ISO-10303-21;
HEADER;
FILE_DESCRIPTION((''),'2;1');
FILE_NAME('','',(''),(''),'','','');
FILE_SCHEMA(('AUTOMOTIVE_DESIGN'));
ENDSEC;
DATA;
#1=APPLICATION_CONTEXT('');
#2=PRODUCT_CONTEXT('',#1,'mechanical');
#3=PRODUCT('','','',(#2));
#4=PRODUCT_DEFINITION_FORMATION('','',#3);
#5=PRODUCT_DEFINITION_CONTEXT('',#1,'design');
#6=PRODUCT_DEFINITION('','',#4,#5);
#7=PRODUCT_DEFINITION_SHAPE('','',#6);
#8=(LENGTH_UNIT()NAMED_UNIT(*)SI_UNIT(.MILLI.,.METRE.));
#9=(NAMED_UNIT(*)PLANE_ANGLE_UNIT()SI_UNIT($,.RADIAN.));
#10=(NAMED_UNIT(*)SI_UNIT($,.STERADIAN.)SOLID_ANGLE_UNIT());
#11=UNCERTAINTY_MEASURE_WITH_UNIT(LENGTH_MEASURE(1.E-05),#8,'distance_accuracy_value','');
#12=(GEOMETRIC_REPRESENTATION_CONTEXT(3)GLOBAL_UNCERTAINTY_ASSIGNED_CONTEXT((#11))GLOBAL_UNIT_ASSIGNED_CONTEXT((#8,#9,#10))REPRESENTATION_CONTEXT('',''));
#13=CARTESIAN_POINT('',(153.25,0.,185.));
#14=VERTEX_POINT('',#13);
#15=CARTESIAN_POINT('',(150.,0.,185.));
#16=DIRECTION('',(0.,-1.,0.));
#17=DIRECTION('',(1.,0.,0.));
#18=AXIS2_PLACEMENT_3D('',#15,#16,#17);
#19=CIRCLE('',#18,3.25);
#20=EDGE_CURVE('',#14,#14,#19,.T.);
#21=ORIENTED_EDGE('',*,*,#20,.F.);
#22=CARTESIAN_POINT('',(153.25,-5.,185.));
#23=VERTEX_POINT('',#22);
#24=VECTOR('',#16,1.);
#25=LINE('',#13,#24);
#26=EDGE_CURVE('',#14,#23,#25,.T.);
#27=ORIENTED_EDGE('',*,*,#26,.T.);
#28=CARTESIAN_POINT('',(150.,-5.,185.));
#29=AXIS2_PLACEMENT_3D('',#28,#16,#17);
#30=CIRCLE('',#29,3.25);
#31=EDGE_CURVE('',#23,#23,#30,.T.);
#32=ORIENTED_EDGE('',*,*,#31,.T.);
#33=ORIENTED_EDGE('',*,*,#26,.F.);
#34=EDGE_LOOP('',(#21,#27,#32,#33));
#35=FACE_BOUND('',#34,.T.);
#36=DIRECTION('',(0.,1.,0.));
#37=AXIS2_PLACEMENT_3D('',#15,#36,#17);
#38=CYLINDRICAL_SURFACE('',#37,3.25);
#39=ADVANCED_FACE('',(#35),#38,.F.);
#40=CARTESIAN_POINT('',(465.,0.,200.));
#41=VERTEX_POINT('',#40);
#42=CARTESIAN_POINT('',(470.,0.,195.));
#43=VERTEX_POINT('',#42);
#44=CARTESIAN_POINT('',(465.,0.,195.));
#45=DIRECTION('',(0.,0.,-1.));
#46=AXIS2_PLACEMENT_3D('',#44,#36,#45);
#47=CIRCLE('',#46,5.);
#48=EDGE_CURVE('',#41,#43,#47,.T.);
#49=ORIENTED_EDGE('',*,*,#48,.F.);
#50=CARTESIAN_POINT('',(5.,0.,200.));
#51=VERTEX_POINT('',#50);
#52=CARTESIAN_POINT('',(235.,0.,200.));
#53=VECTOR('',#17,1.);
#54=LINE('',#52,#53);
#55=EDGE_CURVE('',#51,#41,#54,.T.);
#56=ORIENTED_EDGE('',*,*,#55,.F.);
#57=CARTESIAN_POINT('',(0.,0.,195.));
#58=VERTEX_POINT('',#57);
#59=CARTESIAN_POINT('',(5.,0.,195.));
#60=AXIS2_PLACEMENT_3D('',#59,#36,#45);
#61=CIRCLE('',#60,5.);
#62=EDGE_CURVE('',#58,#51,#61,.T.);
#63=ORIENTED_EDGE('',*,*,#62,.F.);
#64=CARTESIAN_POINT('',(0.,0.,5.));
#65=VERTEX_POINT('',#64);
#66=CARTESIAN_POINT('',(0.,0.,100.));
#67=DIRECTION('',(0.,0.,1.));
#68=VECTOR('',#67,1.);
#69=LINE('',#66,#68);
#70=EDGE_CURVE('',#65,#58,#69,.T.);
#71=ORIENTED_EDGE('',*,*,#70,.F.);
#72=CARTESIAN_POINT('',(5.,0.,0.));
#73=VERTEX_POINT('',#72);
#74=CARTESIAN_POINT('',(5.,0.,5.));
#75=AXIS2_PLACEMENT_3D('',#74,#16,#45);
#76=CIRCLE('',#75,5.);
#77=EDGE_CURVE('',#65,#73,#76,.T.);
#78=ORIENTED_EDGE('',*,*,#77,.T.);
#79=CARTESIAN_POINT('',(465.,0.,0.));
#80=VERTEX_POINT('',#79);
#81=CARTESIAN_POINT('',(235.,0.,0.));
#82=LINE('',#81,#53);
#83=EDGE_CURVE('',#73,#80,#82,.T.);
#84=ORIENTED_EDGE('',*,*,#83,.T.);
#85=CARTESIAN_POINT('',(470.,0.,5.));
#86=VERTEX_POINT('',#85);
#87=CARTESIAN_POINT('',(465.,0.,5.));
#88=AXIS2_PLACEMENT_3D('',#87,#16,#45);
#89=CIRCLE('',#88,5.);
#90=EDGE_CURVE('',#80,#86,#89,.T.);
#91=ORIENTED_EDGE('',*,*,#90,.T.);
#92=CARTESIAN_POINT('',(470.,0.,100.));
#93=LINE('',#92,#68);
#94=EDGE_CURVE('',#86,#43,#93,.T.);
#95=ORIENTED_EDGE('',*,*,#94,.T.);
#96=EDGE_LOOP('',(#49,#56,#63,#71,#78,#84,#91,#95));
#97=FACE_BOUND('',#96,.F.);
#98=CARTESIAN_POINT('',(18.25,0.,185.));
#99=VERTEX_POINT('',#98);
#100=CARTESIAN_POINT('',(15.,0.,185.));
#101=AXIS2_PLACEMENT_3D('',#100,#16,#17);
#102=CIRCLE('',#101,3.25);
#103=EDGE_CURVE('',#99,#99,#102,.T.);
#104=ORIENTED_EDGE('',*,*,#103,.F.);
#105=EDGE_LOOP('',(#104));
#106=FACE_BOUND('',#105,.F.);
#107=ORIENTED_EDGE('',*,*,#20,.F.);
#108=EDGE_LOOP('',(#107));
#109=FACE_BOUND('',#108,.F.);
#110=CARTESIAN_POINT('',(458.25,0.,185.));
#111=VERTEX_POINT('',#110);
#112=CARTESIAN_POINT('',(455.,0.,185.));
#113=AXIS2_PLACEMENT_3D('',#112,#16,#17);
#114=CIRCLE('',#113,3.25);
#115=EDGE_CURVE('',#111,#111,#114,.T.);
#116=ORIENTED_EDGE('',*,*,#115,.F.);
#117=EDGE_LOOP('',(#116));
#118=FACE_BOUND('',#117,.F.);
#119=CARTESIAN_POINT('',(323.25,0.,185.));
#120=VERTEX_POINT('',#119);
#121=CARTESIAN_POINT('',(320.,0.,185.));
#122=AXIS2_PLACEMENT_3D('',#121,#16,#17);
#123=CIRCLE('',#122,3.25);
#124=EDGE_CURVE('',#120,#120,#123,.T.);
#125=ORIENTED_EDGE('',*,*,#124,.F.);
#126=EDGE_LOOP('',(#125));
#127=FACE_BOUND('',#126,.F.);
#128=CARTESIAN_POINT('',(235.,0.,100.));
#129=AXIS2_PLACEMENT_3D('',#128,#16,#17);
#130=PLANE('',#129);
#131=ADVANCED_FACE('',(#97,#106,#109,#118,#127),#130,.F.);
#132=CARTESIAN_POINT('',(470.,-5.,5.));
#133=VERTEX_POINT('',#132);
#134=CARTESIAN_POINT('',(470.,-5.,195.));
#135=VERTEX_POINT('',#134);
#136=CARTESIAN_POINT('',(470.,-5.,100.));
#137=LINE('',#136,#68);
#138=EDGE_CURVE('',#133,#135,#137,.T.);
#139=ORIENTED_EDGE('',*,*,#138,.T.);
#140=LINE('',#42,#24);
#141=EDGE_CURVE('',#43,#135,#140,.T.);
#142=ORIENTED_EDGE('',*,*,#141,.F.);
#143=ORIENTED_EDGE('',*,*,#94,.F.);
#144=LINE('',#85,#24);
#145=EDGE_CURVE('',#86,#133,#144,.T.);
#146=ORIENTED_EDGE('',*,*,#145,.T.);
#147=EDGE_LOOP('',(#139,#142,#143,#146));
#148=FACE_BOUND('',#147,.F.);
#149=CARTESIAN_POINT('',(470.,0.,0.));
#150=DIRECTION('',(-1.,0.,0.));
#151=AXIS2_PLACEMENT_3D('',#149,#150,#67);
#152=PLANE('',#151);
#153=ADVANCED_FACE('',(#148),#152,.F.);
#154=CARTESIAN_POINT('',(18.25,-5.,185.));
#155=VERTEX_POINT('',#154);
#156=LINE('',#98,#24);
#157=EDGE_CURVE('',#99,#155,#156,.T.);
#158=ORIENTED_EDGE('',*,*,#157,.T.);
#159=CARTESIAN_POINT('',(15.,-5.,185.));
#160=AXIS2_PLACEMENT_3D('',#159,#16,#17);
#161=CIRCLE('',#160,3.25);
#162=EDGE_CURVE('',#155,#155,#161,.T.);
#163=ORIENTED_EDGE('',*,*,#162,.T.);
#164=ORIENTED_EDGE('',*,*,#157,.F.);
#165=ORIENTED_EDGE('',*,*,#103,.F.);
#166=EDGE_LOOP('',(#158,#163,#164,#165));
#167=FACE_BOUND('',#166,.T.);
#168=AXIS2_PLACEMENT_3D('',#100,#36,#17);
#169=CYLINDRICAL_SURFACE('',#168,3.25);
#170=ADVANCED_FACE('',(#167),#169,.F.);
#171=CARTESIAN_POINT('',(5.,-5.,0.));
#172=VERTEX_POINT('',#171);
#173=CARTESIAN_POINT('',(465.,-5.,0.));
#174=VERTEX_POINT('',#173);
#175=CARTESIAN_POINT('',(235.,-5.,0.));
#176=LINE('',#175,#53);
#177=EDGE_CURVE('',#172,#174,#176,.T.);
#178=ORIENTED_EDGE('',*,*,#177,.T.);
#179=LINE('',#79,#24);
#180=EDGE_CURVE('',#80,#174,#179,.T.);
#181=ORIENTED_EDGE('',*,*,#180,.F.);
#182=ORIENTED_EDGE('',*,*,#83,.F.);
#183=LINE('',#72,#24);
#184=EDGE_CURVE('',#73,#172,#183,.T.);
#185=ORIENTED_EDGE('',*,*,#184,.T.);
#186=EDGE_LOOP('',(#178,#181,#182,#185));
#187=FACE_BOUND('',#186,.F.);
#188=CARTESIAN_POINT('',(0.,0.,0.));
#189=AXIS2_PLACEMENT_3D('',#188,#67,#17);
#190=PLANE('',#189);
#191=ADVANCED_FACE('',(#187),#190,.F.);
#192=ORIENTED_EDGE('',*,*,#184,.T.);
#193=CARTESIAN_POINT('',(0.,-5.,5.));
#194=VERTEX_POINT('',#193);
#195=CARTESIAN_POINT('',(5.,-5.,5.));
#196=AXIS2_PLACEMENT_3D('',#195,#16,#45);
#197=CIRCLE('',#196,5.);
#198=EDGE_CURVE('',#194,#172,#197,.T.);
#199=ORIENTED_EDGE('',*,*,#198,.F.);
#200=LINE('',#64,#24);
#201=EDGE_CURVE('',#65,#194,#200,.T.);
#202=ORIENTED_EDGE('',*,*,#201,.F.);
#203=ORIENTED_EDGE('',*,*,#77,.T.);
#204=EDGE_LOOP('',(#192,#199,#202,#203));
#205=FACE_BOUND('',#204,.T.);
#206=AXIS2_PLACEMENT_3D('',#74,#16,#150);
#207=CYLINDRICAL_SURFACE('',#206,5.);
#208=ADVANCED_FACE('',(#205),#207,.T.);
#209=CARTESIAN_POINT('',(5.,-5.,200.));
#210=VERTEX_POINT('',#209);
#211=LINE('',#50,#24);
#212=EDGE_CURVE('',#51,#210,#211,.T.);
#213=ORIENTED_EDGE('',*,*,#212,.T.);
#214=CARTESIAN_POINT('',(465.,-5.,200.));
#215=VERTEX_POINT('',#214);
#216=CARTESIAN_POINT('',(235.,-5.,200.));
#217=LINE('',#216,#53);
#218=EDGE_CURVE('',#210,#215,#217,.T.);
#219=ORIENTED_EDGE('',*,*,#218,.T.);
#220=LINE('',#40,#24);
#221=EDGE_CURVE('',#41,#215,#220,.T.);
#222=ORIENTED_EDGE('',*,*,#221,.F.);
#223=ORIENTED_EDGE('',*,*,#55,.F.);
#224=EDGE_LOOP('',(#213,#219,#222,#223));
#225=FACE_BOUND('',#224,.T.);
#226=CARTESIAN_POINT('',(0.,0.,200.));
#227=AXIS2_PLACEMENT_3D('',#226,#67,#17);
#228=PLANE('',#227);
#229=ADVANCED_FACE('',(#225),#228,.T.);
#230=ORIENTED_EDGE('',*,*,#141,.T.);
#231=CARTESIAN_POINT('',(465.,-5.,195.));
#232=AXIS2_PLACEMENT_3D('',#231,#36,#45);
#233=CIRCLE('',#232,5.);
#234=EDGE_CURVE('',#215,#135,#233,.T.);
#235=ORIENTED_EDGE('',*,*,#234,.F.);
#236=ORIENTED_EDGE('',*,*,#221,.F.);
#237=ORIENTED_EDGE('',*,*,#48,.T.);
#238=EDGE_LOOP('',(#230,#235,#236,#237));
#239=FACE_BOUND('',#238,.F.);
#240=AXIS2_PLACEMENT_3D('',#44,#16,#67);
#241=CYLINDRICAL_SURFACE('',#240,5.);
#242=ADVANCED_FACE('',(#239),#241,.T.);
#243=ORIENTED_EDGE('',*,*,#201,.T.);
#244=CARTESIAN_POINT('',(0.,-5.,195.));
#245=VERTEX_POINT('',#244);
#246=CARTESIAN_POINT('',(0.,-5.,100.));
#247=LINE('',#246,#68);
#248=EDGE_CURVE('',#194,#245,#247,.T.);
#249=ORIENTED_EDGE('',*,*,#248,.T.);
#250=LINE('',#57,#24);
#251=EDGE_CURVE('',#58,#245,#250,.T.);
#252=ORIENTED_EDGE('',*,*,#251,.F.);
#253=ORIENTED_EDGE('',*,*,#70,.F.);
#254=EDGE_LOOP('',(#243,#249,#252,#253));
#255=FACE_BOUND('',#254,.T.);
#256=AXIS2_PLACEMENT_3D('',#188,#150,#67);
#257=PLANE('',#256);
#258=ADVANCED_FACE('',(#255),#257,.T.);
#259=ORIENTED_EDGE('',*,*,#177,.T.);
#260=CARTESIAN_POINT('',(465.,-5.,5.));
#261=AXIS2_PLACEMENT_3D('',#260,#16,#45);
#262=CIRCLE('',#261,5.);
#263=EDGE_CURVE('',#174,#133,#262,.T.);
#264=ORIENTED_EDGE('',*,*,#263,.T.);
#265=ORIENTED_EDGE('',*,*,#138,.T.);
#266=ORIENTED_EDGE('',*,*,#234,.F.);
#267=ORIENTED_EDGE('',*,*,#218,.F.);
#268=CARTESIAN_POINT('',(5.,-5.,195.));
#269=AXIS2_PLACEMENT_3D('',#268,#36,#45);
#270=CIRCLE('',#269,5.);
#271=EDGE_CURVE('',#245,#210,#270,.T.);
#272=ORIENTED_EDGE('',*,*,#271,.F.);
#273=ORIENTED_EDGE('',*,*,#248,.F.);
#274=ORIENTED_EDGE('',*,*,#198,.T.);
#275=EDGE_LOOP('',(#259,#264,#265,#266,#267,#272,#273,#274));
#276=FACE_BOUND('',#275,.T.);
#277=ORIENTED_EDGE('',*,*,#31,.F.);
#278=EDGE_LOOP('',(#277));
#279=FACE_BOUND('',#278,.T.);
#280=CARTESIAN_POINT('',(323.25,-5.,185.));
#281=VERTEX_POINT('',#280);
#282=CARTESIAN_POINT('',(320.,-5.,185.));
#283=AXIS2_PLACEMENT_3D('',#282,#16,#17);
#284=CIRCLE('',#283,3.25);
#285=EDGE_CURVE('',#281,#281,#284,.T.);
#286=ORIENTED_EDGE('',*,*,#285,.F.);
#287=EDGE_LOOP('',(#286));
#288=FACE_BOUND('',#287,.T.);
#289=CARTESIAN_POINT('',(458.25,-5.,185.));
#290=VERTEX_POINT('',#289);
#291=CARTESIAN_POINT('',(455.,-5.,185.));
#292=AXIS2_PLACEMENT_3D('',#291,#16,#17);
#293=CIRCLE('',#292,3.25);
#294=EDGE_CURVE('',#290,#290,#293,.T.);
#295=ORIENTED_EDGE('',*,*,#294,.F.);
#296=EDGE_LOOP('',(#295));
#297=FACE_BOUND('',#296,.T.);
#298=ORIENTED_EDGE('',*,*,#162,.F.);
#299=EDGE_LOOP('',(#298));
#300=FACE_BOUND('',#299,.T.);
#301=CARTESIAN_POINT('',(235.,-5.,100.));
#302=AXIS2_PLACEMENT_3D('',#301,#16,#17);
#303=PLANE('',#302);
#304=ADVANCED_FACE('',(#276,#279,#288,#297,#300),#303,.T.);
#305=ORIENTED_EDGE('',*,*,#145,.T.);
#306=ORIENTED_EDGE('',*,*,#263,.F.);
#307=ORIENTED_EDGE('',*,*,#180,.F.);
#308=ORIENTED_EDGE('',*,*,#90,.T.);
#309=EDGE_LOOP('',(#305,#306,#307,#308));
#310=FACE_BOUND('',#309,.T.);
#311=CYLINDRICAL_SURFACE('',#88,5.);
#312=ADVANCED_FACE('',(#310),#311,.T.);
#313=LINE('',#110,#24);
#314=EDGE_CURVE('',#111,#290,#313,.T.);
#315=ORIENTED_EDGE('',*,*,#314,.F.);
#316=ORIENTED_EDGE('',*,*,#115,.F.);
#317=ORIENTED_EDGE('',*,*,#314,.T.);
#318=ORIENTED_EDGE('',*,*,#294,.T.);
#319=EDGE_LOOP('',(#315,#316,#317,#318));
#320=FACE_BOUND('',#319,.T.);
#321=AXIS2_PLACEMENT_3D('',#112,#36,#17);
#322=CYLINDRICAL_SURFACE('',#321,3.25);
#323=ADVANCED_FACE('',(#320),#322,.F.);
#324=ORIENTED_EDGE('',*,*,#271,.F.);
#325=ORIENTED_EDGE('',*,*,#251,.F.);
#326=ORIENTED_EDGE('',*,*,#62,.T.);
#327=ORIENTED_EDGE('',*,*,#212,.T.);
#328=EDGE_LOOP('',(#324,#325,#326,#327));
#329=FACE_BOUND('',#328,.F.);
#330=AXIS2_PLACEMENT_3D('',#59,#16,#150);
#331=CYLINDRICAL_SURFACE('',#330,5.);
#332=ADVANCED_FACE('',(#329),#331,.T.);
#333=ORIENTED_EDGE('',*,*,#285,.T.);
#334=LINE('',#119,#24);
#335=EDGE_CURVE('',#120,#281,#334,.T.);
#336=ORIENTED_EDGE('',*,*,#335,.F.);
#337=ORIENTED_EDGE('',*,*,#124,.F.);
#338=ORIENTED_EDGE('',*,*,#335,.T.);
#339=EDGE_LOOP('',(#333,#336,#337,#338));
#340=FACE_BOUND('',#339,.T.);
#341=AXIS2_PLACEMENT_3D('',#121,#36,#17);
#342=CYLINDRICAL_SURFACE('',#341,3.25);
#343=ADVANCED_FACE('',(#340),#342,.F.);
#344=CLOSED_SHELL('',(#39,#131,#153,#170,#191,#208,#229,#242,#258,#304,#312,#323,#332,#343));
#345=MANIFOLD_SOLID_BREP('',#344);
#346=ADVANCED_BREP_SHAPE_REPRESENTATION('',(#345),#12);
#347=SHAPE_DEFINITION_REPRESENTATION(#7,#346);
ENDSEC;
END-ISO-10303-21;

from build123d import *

# Parameters (mm, degrees)
F0_W     = 470
F0_H     = 200
F0_R     = 3.25
F1_DEPTH = 5
F2_R     = 5


with BuildPart() as f1:
    # F0 (on Front) → F1 (new body)
    with BuildSketch(Plane.XZ):
        with Locations((235, 100)):
            Rectangle(F0_W, F0_H)
        with Locations((15, 185)):
            Circle(F0_R, mode=Mode.SUBTRACT)
        with Locations((150, 185)):
            Circle(F0_R, mode=Mode.SUBTRACT)
        with Locations((320, 185)):
            Circle(F0_R, mode=Mode.SUBTRACT)
        with Locations((455, 185)):
            Circle(F0_R, mode=Mode.SUBTRACT)
    extrude(amount=F1_DEPTH)

    # F2
    f2_edges = [f1.edges().sort_by_distance(p)[0] for p in [
        (0, -2.5, 200),
        (470, -2.5, 0),
        (0, -2.5, 0),
        (470, -2.5, 200),
    ]]
    fillet(f2_edges, radius=F2_R)


solid = f1.part
